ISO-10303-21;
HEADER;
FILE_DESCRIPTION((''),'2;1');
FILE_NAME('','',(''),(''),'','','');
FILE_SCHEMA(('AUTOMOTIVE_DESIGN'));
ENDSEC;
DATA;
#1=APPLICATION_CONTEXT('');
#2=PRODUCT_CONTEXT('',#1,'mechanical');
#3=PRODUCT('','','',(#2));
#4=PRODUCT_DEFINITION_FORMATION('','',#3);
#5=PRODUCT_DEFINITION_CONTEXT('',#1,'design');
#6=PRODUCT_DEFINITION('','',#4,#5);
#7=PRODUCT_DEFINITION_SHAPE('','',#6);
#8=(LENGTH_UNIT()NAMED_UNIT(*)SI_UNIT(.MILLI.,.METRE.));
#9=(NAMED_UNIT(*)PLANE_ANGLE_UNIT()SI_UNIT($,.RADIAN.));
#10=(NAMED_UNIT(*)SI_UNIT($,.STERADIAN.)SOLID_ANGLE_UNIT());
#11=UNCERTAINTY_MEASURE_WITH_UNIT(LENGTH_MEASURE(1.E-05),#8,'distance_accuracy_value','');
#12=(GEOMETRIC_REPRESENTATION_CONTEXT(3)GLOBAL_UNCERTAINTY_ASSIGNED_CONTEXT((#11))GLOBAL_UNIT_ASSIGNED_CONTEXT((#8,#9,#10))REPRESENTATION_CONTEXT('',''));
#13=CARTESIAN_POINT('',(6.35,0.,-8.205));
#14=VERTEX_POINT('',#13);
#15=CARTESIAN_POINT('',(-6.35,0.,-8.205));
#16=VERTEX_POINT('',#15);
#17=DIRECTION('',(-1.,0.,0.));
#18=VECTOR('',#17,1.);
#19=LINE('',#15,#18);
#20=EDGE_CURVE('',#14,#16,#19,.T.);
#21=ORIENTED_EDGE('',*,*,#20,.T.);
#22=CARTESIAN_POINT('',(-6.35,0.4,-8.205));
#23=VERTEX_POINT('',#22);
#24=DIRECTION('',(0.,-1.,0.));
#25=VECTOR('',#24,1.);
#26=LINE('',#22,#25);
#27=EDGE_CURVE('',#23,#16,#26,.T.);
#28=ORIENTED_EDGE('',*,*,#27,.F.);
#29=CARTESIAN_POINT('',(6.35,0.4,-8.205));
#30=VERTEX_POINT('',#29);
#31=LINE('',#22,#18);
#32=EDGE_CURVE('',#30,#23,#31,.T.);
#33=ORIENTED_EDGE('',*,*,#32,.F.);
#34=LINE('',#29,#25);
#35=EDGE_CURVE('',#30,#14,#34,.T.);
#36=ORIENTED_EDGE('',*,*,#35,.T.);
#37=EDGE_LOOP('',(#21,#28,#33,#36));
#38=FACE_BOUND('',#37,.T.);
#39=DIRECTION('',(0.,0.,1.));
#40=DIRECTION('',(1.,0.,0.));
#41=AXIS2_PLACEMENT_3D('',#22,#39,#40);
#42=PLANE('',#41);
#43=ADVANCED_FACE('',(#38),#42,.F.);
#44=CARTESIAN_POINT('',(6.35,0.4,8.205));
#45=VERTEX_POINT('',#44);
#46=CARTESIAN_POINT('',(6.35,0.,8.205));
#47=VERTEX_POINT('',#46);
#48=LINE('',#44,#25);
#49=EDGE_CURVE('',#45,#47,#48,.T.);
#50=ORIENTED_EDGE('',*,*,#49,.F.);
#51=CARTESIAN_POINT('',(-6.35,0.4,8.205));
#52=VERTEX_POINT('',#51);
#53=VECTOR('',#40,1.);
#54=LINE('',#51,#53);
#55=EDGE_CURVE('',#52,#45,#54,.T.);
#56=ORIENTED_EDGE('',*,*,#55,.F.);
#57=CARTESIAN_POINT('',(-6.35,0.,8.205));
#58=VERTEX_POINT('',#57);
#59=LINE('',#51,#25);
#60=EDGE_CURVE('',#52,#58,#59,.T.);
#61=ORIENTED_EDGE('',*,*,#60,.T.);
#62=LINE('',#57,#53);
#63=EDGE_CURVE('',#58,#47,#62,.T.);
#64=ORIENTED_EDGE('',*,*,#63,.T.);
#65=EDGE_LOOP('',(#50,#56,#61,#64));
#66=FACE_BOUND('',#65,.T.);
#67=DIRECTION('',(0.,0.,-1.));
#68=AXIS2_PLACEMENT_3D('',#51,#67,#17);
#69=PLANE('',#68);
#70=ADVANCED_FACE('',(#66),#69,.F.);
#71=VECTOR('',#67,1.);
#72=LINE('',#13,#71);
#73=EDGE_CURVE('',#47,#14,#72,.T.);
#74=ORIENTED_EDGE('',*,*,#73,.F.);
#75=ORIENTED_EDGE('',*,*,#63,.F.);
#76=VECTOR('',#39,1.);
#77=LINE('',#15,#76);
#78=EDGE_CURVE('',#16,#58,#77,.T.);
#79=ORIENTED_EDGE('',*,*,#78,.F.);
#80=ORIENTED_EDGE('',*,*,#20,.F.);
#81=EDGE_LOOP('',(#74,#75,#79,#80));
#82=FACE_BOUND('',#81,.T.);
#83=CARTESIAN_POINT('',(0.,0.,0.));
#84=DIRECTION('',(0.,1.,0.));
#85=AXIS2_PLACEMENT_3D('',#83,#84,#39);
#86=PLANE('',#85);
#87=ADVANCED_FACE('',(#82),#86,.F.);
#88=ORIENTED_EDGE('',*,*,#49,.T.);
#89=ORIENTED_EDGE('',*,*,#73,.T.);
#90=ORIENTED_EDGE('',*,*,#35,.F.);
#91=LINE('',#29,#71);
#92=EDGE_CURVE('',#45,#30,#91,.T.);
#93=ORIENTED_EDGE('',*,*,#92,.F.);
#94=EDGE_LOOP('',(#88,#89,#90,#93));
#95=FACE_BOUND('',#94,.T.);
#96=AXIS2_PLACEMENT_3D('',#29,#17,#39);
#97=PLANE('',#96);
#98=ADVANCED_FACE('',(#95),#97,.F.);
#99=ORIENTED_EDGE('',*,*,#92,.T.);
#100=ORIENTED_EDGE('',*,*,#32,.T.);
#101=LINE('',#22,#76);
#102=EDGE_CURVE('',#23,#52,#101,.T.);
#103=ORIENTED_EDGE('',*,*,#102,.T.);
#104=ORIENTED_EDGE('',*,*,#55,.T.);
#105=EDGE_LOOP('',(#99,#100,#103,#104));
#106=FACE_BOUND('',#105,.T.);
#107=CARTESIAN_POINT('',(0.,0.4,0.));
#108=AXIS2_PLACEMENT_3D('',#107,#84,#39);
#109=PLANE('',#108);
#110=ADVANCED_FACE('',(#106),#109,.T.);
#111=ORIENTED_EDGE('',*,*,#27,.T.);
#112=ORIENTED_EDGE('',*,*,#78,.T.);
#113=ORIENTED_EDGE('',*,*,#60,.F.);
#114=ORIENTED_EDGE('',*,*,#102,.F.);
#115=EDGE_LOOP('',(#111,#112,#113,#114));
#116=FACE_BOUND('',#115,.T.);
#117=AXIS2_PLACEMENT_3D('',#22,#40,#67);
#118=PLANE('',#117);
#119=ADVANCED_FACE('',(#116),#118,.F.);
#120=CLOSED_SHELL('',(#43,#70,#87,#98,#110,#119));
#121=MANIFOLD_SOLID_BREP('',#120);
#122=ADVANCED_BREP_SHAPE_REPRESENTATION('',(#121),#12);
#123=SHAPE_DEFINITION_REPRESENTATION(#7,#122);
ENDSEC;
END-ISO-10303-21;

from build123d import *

# Parameters (mm, degrees)
SKETCH1_W           = 12.7
SKETCH1_H           = 16.41
BOSS_EXTRUDE1_DEPTH = 0.4


with BuildPart() as part:
    # Sketch1 → Boss-Extrude1 (new body)
    with BuildSketch(Plane(origin=(0, 0, 0), x_dir=(1, 0, 0), z_dir=(0, 1, 0))):
        Rectangle(SKETCH1_W, SKETCH1_H)
    extrude(amount=BOSS_EXTRUDE1_DEPTH)


solid = part.part
